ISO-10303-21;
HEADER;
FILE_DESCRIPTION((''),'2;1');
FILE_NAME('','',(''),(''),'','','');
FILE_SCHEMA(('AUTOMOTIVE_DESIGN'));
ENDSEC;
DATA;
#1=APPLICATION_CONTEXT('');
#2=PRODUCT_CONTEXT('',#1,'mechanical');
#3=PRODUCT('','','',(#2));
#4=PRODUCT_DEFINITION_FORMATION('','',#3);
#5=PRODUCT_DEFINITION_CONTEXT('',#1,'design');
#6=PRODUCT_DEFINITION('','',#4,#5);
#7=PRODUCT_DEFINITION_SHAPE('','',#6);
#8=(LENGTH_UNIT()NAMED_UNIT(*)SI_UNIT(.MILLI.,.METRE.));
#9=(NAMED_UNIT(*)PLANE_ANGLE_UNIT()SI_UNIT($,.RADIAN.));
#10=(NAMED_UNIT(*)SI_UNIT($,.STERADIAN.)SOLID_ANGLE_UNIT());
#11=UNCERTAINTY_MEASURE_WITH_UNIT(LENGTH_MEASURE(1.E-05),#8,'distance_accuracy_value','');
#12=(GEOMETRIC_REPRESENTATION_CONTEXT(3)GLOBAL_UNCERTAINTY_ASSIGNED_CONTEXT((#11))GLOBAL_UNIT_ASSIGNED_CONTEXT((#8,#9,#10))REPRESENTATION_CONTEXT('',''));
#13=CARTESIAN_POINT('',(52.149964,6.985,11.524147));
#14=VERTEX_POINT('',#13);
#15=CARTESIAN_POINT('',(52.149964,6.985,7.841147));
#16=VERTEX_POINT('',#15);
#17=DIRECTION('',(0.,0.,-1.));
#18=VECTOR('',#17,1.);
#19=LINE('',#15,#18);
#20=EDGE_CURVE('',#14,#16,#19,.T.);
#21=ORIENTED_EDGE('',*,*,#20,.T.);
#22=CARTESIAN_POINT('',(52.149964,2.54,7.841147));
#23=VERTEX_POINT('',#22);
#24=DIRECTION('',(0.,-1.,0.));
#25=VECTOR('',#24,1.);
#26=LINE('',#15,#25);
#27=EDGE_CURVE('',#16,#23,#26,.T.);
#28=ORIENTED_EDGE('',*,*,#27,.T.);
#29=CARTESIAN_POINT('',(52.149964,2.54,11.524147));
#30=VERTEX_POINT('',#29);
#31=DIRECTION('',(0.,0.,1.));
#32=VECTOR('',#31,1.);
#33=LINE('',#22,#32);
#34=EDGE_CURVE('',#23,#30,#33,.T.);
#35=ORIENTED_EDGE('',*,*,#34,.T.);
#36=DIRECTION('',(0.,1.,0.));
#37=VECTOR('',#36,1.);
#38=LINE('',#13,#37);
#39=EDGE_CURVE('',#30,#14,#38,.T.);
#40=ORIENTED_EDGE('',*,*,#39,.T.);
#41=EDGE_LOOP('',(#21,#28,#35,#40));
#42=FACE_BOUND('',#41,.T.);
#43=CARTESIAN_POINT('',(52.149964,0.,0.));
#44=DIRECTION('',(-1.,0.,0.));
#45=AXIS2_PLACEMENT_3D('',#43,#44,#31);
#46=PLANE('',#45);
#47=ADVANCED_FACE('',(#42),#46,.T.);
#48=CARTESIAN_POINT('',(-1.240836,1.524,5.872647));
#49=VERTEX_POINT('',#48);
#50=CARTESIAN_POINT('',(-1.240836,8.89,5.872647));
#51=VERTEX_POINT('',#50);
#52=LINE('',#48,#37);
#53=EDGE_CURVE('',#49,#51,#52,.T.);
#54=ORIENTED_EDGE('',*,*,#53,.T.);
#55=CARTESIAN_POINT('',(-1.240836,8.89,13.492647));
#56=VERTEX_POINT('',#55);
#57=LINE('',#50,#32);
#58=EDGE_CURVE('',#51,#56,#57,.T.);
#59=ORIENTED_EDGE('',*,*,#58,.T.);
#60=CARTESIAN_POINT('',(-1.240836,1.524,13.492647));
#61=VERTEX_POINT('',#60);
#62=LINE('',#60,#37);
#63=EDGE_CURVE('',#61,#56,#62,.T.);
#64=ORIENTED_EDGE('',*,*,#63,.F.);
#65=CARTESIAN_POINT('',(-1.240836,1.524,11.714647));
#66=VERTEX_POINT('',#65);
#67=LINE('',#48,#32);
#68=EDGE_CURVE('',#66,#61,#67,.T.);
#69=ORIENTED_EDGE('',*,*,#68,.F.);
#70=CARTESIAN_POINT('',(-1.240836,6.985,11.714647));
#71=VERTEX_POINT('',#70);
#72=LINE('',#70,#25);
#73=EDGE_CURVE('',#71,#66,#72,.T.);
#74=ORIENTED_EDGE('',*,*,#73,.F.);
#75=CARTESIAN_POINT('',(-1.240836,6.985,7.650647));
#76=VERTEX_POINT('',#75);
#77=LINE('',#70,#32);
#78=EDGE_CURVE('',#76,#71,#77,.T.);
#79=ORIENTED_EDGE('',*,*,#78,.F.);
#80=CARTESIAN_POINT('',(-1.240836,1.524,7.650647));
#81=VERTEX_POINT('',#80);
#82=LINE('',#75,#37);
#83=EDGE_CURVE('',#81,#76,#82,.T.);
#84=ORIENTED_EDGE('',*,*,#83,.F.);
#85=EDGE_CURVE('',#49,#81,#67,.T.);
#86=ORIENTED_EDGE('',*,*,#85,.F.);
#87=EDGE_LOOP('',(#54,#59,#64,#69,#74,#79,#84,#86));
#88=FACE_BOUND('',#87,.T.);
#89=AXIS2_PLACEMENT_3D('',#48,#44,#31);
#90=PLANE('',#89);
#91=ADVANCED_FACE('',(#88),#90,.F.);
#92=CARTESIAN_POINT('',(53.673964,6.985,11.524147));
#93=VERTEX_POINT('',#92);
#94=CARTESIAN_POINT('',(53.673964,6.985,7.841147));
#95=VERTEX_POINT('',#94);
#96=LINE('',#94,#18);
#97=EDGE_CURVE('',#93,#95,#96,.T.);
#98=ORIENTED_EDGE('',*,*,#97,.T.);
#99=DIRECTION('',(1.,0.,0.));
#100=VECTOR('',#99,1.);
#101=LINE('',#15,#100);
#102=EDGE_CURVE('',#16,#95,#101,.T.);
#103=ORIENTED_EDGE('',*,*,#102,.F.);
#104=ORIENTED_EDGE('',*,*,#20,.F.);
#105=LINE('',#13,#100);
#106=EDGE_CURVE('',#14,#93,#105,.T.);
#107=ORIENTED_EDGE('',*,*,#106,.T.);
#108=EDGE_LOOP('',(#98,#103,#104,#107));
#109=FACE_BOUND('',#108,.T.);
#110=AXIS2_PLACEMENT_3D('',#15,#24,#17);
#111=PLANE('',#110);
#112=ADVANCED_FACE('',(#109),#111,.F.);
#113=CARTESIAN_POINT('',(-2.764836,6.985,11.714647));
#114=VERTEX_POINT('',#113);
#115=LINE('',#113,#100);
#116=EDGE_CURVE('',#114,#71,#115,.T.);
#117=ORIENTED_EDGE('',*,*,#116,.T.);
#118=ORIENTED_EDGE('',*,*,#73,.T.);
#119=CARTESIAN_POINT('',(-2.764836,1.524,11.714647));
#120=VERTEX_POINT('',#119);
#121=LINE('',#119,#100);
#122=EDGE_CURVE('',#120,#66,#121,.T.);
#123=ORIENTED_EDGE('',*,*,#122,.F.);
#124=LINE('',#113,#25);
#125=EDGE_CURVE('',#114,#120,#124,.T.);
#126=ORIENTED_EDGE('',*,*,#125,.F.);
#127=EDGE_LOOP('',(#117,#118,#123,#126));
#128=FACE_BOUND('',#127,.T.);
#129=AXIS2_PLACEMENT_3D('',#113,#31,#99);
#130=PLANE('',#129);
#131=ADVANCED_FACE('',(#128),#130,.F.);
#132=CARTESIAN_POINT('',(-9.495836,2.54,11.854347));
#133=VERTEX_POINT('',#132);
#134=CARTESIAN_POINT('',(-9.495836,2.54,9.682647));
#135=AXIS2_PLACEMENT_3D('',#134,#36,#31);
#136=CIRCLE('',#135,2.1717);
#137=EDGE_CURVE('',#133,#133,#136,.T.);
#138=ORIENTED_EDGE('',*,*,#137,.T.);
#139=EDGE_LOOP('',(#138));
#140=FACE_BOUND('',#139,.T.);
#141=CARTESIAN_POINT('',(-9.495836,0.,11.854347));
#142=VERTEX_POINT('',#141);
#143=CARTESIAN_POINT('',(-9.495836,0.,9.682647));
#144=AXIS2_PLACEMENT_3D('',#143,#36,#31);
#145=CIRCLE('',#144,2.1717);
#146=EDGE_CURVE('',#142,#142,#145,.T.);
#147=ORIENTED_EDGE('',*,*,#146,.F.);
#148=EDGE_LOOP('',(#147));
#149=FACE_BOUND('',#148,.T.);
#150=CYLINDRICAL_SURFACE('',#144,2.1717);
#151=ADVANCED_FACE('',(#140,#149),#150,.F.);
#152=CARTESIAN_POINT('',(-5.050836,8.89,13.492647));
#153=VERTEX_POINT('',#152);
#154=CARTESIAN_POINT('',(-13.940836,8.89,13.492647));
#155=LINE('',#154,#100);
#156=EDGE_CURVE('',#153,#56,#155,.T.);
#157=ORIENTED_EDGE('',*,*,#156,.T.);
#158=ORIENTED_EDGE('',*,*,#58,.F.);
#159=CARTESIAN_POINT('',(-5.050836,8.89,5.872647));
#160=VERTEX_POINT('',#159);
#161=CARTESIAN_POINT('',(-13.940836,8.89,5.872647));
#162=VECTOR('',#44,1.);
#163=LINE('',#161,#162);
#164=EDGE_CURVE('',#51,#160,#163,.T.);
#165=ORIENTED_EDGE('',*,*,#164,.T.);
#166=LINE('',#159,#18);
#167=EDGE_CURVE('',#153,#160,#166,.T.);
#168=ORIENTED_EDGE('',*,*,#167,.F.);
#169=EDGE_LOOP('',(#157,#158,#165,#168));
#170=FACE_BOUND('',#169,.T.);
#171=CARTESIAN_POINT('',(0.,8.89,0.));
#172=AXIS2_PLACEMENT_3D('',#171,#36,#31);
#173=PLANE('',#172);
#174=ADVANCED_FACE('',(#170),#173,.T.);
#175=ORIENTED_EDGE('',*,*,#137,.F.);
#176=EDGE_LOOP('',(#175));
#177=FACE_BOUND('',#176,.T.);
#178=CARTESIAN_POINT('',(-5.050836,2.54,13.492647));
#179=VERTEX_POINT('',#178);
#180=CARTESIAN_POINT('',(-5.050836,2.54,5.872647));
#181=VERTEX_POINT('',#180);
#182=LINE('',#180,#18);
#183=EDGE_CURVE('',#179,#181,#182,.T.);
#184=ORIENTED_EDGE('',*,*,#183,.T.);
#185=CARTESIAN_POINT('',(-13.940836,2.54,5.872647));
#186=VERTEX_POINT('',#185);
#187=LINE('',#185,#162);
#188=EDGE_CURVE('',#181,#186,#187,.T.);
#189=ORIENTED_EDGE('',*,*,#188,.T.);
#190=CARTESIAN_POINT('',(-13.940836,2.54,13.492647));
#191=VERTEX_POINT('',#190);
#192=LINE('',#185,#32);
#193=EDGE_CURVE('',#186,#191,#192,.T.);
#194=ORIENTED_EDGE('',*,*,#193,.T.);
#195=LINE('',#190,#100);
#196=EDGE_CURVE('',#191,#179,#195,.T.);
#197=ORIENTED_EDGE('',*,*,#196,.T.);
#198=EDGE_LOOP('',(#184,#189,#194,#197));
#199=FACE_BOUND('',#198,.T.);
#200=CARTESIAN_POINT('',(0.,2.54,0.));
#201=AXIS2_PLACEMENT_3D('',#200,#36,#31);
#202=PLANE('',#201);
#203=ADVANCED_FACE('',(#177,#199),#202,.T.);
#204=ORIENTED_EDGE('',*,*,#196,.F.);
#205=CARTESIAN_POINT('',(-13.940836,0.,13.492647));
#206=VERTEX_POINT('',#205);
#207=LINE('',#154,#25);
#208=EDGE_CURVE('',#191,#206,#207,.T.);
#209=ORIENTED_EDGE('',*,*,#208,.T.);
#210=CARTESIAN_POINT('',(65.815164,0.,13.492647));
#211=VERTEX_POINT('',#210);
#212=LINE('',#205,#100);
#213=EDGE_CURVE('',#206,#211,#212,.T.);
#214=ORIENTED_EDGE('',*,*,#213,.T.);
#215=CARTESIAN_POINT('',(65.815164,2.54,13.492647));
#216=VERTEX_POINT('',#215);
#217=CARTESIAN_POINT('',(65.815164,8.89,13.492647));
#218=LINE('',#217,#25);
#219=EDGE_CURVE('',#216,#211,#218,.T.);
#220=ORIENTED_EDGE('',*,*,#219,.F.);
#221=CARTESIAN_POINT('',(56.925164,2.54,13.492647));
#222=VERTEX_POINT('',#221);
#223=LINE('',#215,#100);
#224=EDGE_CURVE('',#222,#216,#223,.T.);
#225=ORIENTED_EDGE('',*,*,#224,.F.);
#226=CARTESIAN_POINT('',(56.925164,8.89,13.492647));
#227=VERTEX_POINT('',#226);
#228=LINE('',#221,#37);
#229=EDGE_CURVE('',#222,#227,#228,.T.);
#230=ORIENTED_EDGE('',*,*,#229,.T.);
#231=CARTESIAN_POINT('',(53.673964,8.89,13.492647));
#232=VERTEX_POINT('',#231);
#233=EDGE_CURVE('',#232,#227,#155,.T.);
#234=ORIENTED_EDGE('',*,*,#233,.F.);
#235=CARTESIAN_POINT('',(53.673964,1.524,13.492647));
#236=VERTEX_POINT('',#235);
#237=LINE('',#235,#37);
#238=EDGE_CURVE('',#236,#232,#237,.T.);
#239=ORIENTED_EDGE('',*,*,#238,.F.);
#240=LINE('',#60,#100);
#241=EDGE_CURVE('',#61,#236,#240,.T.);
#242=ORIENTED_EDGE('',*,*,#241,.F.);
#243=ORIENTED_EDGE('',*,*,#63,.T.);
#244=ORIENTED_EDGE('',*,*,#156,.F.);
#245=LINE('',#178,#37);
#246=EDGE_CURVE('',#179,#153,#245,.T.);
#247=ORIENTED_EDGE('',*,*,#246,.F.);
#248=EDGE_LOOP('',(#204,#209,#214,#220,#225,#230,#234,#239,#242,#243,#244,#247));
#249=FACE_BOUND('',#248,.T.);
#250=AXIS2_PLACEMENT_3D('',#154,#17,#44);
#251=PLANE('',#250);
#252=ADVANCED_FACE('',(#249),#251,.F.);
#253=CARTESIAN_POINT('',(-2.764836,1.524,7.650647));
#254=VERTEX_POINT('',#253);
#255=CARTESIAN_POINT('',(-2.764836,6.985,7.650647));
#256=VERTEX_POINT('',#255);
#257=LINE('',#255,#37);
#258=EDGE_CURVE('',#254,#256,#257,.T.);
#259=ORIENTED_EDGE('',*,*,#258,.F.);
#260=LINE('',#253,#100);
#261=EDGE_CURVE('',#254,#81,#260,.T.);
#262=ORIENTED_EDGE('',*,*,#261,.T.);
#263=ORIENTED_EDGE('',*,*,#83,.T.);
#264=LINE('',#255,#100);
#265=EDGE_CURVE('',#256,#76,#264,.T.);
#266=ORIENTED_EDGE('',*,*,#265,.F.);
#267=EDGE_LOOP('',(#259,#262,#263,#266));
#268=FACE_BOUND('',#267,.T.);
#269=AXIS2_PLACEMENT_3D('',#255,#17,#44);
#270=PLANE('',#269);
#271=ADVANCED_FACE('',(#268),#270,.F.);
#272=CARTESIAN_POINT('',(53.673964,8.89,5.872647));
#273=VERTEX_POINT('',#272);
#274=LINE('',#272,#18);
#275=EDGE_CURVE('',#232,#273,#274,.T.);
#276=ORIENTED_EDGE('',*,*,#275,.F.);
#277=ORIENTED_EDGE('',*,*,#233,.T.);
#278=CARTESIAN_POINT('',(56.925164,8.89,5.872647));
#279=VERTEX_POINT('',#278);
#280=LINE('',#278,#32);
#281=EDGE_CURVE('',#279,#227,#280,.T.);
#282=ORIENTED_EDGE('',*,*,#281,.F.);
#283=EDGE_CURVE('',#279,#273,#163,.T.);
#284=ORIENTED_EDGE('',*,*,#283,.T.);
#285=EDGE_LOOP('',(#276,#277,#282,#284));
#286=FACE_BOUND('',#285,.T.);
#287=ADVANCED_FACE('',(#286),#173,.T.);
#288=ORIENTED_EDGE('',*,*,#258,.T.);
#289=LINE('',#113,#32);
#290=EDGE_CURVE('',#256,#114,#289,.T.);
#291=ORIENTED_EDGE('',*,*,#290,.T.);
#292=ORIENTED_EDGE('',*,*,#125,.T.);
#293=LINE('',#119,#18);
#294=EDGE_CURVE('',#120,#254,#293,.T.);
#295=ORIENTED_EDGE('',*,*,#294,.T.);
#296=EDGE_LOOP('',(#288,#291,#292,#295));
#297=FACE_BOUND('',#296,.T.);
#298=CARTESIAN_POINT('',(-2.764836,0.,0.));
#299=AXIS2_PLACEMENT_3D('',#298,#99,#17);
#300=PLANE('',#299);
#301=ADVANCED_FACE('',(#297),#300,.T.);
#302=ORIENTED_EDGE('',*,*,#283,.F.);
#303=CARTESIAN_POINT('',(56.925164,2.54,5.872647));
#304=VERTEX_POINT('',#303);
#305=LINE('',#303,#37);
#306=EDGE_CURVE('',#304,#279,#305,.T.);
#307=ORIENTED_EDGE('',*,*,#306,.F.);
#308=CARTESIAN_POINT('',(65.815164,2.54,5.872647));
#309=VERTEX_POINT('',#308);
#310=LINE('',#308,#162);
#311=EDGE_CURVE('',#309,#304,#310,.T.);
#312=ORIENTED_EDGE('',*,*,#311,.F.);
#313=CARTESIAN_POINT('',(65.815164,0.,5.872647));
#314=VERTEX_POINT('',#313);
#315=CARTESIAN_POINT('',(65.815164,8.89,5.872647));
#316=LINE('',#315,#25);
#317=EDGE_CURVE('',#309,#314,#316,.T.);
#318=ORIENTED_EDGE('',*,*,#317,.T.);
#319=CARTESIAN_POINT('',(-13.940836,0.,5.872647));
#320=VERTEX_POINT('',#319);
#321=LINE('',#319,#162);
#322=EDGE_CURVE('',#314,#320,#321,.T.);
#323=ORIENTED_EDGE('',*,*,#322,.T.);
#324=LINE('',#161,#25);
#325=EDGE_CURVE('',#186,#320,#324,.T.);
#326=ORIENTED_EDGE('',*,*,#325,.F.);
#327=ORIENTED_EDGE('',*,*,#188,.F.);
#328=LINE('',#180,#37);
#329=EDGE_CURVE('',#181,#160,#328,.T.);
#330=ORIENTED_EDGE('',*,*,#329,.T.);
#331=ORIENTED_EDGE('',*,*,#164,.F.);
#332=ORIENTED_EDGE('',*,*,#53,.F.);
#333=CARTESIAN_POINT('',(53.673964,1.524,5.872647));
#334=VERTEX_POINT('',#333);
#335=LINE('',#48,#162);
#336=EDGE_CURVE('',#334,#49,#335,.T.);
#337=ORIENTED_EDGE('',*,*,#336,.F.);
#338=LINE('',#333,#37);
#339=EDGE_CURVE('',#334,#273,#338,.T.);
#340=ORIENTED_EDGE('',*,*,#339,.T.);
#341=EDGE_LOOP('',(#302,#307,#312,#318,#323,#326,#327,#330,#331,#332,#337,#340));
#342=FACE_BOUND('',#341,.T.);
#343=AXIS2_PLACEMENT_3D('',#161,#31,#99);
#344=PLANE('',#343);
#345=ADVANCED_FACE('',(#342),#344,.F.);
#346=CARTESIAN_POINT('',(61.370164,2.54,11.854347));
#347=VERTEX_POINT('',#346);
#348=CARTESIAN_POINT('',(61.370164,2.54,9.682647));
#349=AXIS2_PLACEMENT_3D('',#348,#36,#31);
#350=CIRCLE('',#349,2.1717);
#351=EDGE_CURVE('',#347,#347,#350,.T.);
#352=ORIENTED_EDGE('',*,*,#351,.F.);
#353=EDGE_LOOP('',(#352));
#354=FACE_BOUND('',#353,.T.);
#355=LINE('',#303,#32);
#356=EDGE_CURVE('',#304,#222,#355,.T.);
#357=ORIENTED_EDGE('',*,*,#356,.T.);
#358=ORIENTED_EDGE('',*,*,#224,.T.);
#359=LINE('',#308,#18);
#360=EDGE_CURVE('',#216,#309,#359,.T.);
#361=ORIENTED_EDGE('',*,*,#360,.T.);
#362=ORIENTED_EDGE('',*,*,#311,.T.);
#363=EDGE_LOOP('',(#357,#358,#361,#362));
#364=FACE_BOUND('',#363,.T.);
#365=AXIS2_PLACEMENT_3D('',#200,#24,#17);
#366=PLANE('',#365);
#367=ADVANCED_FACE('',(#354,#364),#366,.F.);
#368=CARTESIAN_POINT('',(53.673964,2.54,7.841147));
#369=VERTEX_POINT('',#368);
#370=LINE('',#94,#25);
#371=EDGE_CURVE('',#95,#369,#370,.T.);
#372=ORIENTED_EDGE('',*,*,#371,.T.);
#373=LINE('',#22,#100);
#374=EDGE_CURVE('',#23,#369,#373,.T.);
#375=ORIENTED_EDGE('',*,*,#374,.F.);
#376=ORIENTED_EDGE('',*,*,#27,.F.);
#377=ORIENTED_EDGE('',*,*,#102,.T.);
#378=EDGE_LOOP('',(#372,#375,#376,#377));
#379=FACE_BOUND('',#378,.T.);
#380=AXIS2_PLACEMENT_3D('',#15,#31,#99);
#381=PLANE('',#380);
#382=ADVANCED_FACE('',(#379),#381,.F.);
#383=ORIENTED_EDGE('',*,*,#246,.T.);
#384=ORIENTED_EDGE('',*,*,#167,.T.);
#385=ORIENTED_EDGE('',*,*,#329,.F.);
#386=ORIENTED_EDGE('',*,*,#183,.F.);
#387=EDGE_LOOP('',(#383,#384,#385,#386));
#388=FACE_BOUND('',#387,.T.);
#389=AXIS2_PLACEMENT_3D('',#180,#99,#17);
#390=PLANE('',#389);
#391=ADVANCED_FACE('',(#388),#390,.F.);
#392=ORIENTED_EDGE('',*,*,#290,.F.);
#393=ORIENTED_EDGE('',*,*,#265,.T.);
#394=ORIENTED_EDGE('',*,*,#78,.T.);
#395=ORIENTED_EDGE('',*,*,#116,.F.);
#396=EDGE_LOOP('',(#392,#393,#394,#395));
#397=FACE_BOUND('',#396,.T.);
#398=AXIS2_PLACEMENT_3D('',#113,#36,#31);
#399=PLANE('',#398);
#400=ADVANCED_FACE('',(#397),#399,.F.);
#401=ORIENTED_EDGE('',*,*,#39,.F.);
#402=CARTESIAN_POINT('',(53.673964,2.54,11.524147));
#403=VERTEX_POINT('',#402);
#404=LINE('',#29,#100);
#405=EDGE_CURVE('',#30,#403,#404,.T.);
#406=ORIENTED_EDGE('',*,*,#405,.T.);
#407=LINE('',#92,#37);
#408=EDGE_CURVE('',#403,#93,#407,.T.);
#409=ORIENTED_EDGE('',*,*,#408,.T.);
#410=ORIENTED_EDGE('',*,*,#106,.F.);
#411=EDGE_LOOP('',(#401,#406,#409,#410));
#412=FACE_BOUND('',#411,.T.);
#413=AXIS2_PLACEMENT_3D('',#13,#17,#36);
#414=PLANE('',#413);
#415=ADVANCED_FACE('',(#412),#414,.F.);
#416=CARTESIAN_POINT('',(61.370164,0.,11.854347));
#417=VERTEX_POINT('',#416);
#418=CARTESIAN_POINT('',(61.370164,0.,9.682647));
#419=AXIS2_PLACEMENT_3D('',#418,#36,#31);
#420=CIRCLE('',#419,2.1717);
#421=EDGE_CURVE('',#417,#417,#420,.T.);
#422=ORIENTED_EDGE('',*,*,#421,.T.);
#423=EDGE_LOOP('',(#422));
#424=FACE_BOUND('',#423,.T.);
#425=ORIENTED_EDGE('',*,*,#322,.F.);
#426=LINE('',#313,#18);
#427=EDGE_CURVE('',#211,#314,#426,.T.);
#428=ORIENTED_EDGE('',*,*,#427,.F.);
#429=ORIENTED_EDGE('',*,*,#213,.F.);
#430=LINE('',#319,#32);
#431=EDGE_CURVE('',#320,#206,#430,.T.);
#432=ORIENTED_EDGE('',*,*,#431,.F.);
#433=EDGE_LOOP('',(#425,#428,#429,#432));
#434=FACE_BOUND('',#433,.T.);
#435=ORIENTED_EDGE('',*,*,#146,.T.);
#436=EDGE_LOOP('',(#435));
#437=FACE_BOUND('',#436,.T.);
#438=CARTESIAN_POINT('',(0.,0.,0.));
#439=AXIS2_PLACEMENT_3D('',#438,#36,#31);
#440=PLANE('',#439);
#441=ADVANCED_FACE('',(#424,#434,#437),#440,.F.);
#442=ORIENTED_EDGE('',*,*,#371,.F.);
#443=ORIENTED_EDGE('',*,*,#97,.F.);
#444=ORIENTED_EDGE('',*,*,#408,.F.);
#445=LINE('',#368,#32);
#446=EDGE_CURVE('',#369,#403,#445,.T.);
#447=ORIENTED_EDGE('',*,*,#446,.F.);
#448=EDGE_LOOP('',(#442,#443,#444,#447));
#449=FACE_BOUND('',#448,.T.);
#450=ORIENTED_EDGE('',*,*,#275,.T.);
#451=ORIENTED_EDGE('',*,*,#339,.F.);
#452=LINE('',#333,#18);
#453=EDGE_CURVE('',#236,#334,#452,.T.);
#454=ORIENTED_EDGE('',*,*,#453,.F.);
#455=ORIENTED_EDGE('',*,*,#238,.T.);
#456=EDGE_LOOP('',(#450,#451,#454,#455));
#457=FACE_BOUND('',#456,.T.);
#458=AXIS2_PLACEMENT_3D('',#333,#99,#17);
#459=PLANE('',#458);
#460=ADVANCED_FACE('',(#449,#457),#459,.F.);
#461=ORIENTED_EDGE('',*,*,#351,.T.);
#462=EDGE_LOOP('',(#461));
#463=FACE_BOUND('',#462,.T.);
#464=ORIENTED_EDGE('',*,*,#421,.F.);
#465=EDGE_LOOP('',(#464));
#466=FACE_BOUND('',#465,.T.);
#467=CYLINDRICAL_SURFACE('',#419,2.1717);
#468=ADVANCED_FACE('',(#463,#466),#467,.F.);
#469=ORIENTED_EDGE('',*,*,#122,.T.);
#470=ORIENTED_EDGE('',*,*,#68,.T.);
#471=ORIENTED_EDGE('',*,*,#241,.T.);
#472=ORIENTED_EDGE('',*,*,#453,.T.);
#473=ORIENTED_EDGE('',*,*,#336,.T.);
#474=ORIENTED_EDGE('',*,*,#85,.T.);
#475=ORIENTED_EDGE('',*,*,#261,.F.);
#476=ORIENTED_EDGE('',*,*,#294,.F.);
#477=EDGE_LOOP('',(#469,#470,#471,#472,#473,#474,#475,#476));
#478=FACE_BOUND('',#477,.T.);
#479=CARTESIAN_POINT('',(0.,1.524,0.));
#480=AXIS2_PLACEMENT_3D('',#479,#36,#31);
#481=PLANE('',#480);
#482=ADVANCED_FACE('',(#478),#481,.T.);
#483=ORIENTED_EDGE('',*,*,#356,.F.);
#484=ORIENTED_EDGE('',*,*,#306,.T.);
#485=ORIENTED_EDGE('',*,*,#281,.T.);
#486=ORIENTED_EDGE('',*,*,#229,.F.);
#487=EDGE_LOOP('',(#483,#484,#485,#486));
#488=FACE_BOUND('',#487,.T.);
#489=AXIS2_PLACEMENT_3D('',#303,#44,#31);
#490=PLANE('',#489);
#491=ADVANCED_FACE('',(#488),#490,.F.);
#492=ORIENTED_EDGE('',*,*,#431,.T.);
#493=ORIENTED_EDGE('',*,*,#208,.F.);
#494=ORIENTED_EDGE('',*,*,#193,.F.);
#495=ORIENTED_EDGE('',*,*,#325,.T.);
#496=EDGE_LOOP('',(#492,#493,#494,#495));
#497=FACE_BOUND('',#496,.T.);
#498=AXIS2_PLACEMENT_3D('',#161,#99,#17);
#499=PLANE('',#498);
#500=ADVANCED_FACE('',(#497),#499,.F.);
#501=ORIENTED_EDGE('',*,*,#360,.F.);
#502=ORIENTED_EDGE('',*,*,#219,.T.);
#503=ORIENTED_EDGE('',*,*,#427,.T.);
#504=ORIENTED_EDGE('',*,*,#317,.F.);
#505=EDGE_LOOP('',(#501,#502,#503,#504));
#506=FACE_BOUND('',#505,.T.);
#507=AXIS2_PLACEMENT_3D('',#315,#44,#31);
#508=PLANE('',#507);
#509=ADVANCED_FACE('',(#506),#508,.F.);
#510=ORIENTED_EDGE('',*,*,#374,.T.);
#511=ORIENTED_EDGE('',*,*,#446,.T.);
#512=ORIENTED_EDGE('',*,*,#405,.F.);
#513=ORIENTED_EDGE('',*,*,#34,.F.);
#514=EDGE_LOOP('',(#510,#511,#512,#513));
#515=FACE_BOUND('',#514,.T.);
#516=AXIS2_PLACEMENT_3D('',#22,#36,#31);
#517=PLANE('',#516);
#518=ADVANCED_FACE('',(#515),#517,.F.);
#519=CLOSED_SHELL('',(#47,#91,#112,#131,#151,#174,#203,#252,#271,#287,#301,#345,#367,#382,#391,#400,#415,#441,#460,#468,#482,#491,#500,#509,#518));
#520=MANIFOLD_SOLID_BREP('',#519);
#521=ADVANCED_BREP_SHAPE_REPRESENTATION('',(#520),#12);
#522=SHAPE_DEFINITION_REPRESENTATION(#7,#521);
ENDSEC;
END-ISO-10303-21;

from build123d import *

# Parameters (mm, degrees)
SKETCH1_W           = 79.756
SKETCH1_H           = 7.62
BOSS_EXTRUDE1_DEPTH = 8.89
SKETCH2_W           = 8.89
SKETCH2_H           = 7.62
CUT_EXTRUDE1_DEPTH  = 6.35
SKETCH3_W           = 8.89
SKETCH3_H           = 7.62
CUT_EXTRUDE2_DEPTH  = 6.35
SKETCH4_W           = 54.9148
SKETCH4_H           = 7.62
CUT_EXTRUDE3_DEPTH  = 7.366
SKETCH5_W           = 4.064
SKETCH5_H           = 5.461
CUT_EXTRUDE4_DEPTH  = 1.524
SKETCH7_W           = 3.683
SKETCH7_H           = 4.445
BOSS_EXTRUDE2_DEPTH = 1.524
SKETCH8_R           = 2.1717
CUT_EXTRUDE5_DEPTH  = 2.54
SKETCH9_R           = 2.1717
CUT_EXTRUDE6_DEPTH  = 2.54


with BuildPart() as part:
    # Sketch1 → Boss-Extrude1 (new body)
    with BuildSketch(Plane(origin=(0, 0, 0), x_dir=(1, 0, 0), z_dir=(0, 1, 0))):
        with Locations((25.937163647, -9.682646588)):
            Rectangle(SKETCH1_W, SKETCH1_H)
    extrude(amount=BOSS_EXTRUDE1_DEPTH)

    # Sketch2 → Cut-Extrude1 (cut)
    with BuildSketch(Plane(origin=(0, 8.89, 0), x_dir=(1, 0, 0), z_dir=(0, 1, 0))):
        with Locations((-9.495836353, -9.682646588)):
            Rectangle(SKETCH2_W, SKETCH2_H)
    extrude(amount=-CUT_EXTRUDE1_DEPTH, mode=Mode.SUBTRACT)

    # Sketch3 → Cut-Extrude2 (cut)
    with BuildSketch(Plane(origin=(0, 8.89, 0), x_dir=(1, 0, 0), z_dir=(0, 1, 0))):
        with Locations((61.370163647, -9.682646588)):
            Rectangle(SKETCH3_W, SKETCH3_H)
    extrude(amount=-CUT_EXTRUDE2_DEPTH, mode=Mode.SUBTRACT)

    # Sketch4 → Cut-Extrude3 (cut)
    with BuildSketch(Plane(origin=(0, 8.89, 0), x_dir=(1, 0, 0), z_dir=(0, 1, 0))):
        with Locations((26.216563647, -9.682646588)):
            Rectangle(SKETCH4_W, SKETCH4_H)
    extrude(amount=-CUT_EXTRUDE3_DEPTH, mode=Mode.SUBTRACT)

    # Sketch5 → Cut-Extrude4 (cut)
    with BuildSketch(Plane(origin=(-1.240836353, 0, 0), x_dir=(0, 0, -1), z_dir=(1, 0, 0))):
        with Locations((-9.682646588, 4.2545)):
            Rectangle(SKETCH5_W, SKETCH5_H)
    extrude(amount=-CUT_EXTRUDE4_DEPTH, mode=Mode.SUBTRACT)

    # Sketch7 → Boss-Extrude2 (add)
    with BuildSketch(Plane.ZY.offset(-53.673963647)):
        with Locations((9.682646588, 4.7625)):
            Rectangle(SKETCH7_W, SKETCH7_H)
    extrude(amount=BOSS_EXTRUDE2_DEPTH)

    # Sketch8 → Cut-Extrude5 (cut)
    with BuildSketch(Plane(origin=(0, 2.54, 0), x_dir=(1, 0, 0), z_dir=(0, 1, 0))):
        with Locations(Location((-9.495836353, -9.682646588, 0), (0, 0, 270))):
            Circle(SKETCH8_R)
    extrude(amount=-CUT_EXTRUDE5_DEPTH, mode=Mode.SUBTRACT)

    # Sketch9 → Cut-Extrude6 (cut)
    with BuildSketch(Plane(origin=(0, 2.54, 0), x_dir=(1, 0, 0), z_dir=(0, 1, 0))):
        with Locations(Location((61.370163647, -9.682646588, 0), (0, 0, 270))):
            Circle(SKETCH9_R)
    extrude(amount=-CUT_EXTRUDE6_DEPTH, mode=Mode.SUBTRACT)


solid = part.part
